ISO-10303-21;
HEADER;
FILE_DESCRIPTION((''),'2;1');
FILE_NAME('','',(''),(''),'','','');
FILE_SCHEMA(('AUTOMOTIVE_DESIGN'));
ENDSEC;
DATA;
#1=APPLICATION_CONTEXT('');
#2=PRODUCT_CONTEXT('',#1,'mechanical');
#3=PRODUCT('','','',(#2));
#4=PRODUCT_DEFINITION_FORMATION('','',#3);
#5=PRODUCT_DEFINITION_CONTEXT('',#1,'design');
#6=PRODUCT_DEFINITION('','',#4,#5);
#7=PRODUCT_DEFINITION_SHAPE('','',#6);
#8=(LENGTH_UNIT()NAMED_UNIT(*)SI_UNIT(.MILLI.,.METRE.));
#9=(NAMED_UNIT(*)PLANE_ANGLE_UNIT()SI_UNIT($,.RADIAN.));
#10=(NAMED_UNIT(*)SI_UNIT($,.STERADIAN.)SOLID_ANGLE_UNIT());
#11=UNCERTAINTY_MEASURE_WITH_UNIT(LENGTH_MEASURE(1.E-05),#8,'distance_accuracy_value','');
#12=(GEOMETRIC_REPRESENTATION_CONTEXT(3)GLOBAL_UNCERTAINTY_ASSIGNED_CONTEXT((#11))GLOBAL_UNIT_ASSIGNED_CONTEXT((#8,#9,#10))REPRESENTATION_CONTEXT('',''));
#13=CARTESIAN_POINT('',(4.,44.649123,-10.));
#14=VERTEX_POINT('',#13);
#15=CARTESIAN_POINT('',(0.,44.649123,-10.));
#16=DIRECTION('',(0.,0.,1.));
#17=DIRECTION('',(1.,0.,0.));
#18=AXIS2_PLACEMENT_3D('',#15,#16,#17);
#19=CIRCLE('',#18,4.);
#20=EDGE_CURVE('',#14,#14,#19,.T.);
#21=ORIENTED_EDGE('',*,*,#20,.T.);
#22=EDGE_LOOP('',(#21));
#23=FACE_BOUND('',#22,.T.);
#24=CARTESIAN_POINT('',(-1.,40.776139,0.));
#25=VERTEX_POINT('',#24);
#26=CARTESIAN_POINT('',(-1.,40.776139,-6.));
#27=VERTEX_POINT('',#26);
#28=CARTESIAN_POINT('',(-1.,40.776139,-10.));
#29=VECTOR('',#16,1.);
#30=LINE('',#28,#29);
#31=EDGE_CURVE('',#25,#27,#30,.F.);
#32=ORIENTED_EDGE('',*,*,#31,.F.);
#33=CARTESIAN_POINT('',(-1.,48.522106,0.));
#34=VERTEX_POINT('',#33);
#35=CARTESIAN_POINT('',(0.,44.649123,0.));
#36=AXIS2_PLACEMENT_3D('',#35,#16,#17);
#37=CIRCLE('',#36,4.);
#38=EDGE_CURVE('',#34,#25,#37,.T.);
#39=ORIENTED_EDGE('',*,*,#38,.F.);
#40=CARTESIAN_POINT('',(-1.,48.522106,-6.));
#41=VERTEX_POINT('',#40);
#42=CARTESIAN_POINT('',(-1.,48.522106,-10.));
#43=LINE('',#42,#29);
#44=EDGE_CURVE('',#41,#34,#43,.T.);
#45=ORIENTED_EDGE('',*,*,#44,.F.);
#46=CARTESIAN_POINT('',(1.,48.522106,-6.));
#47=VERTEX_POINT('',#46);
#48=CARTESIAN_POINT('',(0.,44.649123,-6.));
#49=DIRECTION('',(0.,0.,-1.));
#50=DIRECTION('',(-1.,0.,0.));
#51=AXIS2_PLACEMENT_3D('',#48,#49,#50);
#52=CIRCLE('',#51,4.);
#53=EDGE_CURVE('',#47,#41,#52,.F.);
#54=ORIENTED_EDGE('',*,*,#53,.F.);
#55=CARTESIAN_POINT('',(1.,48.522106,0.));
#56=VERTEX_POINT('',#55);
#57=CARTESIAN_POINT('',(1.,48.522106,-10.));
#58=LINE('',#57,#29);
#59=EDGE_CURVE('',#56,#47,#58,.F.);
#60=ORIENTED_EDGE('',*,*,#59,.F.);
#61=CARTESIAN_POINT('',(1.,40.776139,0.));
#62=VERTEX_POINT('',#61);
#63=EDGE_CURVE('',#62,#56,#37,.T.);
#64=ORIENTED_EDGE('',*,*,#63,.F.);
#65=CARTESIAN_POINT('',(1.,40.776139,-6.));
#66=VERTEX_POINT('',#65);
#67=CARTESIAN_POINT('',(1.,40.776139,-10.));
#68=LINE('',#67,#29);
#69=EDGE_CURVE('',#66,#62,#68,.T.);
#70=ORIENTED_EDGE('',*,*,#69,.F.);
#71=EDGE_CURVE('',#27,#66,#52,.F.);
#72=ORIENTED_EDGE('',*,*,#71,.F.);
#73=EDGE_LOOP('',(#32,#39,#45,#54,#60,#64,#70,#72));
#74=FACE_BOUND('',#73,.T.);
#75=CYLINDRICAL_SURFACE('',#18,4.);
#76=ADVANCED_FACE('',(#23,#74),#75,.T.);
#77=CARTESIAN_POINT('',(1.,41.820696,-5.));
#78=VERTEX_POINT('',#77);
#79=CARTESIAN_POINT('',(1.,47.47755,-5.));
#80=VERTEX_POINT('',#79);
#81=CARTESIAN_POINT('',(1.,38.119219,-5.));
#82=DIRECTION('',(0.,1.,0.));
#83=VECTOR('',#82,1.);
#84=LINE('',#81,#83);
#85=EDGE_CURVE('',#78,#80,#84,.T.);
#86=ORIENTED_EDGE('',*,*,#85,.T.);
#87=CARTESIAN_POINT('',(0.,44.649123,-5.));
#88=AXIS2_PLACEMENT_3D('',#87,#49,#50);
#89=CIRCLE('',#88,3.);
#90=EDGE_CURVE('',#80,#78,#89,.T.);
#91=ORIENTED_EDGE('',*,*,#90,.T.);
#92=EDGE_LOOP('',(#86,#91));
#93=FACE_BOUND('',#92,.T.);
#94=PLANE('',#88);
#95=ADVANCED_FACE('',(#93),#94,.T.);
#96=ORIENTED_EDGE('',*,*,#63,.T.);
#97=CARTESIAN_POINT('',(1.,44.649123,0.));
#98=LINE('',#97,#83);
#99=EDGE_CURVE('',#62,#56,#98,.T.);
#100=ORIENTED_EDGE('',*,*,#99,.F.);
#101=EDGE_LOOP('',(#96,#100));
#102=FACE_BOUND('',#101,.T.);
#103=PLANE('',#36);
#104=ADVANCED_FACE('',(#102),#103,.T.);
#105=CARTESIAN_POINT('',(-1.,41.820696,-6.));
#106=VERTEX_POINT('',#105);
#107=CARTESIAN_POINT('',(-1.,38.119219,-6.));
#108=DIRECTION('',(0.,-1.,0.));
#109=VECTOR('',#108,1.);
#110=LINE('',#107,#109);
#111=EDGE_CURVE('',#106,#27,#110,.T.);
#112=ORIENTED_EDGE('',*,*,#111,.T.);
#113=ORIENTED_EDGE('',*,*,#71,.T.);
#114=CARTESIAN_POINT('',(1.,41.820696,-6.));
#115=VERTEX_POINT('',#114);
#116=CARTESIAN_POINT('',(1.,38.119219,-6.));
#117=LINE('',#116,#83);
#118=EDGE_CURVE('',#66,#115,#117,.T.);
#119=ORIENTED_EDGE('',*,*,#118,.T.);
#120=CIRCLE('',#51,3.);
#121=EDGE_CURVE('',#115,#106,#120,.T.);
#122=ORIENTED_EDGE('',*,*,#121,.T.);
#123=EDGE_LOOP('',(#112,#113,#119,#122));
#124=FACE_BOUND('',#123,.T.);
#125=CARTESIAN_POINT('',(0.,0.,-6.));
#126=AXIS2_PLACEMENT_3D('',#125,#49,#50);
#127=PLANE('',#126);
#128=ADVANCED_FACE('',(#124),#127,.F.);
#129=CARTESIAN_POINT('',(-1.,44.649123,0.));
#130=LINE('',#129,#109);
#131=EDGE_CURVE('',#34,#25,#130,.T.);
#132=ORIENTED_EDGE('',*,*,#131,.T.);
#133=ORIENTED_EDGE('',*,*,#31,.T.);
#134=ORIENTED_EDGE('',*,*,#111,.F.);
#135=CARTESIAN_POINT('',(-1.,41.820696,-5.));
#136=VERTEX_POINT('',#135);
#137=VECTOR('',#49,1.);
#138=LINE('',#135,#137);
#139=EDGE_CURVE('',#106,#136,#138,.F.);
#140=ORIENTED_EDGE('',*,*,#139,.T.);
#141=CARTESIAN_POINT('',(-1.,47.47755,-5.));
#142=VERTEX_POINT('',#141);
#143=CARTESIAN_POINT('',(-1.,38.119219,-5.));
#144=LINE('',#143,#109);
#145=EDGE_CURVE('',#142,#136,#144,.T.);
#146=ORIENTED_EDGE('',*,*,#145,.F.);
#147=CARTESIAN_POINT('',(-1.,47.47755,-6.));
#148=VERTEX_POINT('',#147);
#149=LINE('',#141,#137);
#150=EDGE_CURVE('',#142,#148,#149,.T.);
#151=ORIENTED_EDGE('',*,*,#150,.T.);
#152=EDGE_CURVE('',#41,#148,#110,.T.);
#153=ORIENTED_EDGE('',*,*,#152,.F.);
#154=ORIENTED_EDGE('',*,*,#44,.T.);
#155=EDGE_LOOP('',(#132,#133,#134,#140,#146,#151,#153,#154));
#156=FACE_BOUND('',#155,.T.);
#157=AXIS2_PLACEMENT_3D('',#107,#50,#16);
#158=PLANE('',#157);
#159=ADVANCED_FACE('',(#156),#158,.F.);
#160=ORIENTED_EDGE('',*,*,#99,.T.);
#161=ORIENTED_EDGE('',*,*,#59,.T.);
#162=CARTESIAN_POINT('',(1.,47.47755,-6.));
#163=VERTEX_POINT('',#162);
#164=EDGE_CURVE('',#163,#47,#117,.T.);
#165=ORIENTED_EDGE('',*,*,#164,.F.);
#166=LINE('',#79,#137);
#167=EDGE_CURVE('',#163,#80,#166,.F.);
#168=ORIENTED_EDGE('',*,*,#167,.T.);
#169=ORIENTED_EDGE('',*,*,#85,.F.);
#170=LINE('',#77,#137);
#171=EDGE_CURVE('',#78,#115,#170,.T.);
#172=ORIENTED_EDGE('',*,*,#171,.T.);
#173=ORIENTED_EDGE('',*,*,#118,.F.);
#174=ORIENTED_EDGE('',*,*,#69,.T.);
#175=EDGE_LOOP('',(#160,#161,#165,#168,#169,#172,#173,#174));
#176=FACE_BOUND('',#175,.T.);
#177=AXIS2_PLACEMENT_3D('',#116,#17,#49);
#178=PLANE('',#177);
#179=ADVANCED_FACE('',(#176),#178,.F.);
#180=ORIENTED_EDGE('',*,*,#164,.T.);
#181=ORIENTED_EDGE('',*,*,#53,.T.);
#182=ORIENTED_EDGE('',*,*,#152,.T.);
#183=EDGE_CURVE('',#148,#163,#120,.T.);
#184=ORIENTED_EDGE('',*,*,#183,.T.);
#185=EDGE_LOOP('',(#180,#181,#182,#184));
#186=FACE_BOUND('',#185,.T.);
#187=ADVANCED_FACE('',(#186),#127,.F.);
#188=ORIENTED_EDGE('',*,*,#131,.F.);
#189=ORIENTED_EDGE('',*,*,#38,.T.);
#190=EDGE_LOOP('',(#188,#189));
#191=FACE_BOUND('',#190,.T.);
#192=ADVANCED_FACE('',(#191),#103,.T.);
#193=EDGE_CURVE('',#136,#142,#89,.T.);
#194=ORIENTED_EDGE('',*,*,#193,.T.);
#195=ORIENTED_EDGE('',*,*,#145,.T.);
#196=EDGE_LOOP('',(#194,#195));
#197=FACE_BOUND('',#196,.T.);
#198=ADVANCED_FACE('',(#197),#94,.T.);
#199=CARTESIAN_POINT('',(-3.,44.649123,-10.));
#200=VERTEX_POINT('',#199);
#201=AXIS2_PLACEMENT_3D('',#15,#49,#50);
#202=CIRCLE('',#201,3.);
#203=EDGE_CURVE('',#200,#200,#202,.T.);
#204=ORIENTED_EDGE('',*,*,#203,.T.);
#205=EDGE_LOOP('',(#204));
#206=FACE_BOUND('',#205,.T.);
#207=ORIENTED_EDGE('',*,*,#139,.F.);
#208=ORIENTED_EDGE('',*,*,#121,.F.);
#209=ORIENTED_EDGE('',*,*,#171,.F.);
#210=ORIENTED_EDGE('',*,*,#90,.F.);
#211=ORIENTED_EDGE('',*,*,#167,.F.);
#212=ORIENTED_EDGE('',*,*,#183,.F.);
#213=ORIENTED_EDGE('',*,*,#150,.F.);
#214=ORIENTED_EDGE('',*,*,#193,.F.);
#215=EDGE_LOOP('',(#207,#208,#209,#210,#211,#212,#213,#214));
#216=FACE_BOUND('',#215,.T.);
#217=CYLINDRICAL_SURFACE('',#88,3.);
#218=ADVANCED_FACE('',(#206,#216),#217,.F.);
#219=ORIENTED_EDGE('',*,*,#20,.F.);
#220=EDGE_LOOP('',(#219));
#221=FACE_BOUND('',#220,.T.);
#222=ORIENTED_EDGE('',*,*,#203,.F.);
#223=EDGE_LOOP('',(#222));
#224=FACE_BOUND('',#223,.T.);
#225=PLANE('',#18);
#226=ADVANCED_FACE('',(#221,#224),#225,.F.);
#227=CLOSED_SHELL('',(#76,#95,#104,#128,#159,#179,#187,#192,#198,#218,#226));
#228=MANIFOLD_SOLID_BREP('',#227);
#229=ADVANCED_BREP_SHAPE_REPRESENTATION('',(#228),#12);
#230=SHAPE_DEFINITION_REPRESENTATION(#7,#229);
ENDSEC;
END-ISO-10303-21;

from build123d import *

# Parameters (mm, degrees)
CROQUIS1_R              = 4
SALIENTE_EXTRUIR1_DEPTH = 10
CROQUIS2_W              = 2
CROQUIS2_H              = 13.059807194
CORTAR_EXTRUIR1_DEPTH   = 6
CROQUIS3_R              = 3
CORTAR_EXTRUIR2_DEPTH   = 5


with BuildPart() as part:
    # Croquis1 → Saliente-Extruir1 (new body)
    with BuildSketch(Plane.XY):
        with Locations((0, 44.649122807)):
            Circle(CROQUIS1_R)
    extrude(amount=-SALIENTE_EXTRUIR1_DEPTH)

    # Croquis2 → Cortar-Extruir1 (cut)
    with BuildSketch(Plane.XY):
        with Locations((0, 44.649122807)):
            Rectangle(CROQUIS2_W, CROQUIS2_H)
    extrude(amount=-CORTAR_EXTRUIR1_DEPTH, mode=Mode.SUBTRACT)

    # Croquis3 → Cortar-Extruir2 (cut)
    with BuildSketch(Plane(origin=(0, 0, -10), x_dir=(-1, 0, 0), z_dir=(0, 0, -1))):
        with Locations((0, 44.649122807)):
            Circle(CROQUIS3_R)
    extrude(amount=-CORTAR_EXTRUIR2_DEPTH, mode=Mode.SUBTRACT)


solid = part.part
